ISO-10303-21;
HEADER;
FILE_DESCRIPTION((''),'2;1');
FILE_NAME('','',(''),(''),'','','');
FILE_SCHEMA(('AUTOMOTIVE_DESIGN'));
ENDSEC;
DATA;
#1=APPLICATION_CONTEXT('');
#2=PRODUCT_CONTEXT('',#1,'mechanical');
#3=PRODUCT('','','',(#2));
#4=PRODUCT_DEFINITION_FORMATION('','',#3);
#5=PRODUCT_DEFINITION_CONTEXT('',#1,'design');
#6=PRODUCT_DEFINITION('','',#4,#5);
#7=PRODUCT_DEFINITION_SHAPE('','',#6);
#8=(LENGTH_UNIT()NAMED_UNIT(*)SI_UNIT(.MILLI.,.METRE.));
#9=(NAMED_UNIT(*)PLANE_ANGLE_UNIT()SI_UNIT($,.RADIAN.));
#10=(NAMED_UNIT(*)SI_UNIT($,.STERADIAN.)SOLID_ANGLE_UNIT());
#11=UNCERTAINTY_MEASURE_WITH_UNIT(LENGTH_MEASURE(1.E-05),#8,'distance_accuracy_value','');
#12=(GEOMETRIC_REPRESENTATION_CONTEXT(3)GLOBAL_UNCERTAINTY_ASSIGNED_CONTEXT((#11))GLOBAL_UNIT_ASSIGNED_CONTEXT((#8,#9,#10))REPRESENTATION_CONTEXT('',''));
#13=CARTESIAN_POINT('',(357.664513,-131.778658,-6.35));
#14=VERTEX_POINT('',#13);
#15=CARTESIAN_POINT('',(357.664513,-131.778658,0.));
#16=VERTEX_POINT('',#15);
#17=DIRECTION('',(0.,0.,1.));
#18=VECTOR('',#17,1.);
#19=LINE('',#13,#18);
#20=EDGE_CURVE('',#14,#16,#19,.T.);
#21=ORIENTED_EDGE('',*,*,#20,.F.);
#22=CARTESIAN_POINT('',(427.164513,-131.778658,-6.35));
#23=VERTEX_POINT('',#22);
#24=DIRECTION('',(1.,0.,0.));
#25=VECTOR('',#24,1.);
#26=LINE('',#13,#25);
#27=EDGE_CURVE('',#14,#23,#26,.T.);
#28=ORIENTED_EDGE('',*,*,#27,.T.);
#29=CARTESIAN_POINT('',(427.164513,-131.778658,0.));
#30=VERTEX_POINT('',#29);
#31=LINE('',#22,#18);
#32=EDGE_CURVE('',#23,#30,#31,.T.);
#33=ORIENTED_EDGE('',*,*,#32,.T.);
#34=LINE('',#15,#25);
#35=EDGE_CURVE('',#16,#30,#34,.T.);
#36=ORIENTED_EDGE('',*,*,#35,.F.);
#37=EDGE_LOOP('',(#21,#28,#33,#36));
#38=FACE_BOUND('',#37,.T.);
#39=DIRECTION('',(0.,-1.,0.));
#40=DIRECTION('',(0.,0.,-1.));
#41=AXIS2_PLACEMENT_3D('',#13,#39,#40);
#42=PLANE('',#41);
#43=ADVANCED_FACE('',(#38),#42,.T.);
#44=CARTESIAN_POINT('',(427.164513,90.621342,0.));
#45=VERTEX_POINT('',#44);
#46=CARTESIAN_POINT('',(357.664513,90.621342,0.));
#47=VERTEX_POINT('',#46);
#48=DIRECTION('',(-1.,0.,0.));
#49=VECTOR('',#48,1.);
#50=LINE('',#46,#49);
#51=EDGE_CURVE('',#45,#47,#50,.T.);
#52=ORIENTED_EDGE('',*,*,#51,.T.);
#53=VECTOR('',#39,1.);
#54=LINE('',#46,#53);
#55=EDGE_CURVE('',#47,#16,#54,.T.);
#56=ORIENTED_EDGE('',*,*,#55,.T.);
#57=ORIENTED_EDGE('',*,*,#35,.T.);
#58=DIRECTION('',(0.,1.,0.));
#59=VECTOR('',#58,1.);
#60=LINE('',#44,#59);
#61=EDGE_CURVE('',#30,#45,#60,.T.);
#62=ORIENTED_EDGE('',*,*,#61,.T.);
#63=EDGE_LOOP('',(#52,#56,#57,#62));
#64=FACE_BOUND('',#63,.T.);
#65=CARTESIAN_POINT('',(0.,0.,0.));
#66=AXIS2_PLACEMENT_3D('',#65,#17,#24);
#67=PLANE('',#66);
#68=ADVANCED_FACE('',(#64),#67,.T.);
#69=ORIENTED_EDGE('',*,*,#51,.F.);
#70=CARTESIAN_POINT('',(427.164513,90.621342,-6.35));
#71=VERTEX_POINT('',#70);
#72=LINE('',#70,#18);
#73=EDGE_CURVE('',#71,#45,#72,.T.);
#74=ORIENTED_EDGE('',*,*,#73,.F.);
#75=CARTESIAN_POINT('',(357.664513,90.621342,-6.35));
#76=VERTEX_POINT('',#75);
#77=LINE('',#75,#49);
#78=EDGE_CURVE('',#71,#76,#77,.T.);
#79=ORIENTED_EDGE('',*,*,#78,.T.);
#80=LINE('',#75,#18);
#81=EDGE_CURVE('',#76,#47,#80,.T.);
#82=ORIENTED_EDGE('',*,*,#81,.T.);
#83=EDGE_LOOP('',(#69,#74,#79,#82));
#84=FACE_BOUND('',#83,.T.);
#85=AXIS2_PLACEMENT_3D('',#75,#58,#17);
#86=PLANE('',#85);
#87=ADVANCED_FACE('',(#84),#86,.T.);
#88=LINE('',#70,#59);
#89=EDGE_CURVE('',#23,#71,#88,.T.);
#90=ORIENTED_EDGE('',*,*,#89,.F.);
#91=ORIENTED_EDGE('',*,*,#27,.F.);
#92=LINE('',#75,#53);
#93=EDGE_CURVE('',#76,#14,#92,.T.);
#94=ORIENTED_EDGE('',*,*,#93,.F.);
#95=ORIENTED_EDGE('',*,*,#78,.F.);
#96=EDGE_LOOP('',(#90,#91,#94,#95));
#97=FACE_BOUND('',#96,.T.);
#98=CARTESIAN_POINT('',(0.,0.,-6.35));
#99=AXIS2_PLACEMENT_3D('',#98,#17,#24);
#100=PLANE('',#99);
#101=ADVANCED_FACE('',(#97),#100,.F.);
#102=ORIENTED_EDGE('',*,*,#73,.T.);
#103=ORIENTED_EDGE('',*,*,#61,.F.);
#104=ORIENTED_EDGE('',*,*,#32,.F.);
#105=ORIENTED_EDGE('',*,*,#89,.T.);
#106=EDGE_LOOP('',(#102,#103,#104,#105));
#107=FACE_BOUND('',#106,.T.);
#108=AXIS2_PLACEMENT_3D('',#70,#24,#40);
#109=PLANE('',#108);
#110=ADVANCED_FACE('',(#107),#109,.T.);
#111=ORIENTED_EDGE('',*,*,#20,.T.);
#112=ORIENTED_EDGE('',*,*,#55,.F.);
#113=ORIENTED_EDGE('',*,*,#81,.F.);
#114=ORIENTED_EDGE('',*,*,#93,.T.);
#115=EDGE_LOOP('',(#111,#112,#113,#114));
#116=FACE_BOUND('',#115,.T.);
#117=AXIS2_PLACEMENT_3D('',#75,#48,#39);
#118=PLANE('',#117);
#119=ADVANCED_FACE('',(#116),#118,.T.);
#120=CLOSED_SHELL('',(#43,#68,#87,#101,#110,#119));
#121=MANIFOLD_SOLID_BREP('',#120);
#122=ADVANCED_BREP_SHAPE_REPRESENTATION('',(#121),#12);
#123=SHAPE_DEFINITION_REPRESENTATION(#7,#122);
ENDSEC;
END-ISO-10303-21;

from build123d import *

# Parameters (mm, degrees)
SKETCH1_W           = 69.5
SKETCH1_H           = 222.4
BOSS_EXTRUDE1_DEPTH = 6.35


with BuildPart() as part:
    # Sketch1 → Boss-Extrude1 (new body)
    with BuildSketch(Plane.XY):
        with Locations((392.414513316, -20.578658451)):
            Rectangle(SKETCH1_W, SKETCH1_H)
    extrude(amount=-BOSS_EXTRUDE1_DEPTH)


solid = part.part
